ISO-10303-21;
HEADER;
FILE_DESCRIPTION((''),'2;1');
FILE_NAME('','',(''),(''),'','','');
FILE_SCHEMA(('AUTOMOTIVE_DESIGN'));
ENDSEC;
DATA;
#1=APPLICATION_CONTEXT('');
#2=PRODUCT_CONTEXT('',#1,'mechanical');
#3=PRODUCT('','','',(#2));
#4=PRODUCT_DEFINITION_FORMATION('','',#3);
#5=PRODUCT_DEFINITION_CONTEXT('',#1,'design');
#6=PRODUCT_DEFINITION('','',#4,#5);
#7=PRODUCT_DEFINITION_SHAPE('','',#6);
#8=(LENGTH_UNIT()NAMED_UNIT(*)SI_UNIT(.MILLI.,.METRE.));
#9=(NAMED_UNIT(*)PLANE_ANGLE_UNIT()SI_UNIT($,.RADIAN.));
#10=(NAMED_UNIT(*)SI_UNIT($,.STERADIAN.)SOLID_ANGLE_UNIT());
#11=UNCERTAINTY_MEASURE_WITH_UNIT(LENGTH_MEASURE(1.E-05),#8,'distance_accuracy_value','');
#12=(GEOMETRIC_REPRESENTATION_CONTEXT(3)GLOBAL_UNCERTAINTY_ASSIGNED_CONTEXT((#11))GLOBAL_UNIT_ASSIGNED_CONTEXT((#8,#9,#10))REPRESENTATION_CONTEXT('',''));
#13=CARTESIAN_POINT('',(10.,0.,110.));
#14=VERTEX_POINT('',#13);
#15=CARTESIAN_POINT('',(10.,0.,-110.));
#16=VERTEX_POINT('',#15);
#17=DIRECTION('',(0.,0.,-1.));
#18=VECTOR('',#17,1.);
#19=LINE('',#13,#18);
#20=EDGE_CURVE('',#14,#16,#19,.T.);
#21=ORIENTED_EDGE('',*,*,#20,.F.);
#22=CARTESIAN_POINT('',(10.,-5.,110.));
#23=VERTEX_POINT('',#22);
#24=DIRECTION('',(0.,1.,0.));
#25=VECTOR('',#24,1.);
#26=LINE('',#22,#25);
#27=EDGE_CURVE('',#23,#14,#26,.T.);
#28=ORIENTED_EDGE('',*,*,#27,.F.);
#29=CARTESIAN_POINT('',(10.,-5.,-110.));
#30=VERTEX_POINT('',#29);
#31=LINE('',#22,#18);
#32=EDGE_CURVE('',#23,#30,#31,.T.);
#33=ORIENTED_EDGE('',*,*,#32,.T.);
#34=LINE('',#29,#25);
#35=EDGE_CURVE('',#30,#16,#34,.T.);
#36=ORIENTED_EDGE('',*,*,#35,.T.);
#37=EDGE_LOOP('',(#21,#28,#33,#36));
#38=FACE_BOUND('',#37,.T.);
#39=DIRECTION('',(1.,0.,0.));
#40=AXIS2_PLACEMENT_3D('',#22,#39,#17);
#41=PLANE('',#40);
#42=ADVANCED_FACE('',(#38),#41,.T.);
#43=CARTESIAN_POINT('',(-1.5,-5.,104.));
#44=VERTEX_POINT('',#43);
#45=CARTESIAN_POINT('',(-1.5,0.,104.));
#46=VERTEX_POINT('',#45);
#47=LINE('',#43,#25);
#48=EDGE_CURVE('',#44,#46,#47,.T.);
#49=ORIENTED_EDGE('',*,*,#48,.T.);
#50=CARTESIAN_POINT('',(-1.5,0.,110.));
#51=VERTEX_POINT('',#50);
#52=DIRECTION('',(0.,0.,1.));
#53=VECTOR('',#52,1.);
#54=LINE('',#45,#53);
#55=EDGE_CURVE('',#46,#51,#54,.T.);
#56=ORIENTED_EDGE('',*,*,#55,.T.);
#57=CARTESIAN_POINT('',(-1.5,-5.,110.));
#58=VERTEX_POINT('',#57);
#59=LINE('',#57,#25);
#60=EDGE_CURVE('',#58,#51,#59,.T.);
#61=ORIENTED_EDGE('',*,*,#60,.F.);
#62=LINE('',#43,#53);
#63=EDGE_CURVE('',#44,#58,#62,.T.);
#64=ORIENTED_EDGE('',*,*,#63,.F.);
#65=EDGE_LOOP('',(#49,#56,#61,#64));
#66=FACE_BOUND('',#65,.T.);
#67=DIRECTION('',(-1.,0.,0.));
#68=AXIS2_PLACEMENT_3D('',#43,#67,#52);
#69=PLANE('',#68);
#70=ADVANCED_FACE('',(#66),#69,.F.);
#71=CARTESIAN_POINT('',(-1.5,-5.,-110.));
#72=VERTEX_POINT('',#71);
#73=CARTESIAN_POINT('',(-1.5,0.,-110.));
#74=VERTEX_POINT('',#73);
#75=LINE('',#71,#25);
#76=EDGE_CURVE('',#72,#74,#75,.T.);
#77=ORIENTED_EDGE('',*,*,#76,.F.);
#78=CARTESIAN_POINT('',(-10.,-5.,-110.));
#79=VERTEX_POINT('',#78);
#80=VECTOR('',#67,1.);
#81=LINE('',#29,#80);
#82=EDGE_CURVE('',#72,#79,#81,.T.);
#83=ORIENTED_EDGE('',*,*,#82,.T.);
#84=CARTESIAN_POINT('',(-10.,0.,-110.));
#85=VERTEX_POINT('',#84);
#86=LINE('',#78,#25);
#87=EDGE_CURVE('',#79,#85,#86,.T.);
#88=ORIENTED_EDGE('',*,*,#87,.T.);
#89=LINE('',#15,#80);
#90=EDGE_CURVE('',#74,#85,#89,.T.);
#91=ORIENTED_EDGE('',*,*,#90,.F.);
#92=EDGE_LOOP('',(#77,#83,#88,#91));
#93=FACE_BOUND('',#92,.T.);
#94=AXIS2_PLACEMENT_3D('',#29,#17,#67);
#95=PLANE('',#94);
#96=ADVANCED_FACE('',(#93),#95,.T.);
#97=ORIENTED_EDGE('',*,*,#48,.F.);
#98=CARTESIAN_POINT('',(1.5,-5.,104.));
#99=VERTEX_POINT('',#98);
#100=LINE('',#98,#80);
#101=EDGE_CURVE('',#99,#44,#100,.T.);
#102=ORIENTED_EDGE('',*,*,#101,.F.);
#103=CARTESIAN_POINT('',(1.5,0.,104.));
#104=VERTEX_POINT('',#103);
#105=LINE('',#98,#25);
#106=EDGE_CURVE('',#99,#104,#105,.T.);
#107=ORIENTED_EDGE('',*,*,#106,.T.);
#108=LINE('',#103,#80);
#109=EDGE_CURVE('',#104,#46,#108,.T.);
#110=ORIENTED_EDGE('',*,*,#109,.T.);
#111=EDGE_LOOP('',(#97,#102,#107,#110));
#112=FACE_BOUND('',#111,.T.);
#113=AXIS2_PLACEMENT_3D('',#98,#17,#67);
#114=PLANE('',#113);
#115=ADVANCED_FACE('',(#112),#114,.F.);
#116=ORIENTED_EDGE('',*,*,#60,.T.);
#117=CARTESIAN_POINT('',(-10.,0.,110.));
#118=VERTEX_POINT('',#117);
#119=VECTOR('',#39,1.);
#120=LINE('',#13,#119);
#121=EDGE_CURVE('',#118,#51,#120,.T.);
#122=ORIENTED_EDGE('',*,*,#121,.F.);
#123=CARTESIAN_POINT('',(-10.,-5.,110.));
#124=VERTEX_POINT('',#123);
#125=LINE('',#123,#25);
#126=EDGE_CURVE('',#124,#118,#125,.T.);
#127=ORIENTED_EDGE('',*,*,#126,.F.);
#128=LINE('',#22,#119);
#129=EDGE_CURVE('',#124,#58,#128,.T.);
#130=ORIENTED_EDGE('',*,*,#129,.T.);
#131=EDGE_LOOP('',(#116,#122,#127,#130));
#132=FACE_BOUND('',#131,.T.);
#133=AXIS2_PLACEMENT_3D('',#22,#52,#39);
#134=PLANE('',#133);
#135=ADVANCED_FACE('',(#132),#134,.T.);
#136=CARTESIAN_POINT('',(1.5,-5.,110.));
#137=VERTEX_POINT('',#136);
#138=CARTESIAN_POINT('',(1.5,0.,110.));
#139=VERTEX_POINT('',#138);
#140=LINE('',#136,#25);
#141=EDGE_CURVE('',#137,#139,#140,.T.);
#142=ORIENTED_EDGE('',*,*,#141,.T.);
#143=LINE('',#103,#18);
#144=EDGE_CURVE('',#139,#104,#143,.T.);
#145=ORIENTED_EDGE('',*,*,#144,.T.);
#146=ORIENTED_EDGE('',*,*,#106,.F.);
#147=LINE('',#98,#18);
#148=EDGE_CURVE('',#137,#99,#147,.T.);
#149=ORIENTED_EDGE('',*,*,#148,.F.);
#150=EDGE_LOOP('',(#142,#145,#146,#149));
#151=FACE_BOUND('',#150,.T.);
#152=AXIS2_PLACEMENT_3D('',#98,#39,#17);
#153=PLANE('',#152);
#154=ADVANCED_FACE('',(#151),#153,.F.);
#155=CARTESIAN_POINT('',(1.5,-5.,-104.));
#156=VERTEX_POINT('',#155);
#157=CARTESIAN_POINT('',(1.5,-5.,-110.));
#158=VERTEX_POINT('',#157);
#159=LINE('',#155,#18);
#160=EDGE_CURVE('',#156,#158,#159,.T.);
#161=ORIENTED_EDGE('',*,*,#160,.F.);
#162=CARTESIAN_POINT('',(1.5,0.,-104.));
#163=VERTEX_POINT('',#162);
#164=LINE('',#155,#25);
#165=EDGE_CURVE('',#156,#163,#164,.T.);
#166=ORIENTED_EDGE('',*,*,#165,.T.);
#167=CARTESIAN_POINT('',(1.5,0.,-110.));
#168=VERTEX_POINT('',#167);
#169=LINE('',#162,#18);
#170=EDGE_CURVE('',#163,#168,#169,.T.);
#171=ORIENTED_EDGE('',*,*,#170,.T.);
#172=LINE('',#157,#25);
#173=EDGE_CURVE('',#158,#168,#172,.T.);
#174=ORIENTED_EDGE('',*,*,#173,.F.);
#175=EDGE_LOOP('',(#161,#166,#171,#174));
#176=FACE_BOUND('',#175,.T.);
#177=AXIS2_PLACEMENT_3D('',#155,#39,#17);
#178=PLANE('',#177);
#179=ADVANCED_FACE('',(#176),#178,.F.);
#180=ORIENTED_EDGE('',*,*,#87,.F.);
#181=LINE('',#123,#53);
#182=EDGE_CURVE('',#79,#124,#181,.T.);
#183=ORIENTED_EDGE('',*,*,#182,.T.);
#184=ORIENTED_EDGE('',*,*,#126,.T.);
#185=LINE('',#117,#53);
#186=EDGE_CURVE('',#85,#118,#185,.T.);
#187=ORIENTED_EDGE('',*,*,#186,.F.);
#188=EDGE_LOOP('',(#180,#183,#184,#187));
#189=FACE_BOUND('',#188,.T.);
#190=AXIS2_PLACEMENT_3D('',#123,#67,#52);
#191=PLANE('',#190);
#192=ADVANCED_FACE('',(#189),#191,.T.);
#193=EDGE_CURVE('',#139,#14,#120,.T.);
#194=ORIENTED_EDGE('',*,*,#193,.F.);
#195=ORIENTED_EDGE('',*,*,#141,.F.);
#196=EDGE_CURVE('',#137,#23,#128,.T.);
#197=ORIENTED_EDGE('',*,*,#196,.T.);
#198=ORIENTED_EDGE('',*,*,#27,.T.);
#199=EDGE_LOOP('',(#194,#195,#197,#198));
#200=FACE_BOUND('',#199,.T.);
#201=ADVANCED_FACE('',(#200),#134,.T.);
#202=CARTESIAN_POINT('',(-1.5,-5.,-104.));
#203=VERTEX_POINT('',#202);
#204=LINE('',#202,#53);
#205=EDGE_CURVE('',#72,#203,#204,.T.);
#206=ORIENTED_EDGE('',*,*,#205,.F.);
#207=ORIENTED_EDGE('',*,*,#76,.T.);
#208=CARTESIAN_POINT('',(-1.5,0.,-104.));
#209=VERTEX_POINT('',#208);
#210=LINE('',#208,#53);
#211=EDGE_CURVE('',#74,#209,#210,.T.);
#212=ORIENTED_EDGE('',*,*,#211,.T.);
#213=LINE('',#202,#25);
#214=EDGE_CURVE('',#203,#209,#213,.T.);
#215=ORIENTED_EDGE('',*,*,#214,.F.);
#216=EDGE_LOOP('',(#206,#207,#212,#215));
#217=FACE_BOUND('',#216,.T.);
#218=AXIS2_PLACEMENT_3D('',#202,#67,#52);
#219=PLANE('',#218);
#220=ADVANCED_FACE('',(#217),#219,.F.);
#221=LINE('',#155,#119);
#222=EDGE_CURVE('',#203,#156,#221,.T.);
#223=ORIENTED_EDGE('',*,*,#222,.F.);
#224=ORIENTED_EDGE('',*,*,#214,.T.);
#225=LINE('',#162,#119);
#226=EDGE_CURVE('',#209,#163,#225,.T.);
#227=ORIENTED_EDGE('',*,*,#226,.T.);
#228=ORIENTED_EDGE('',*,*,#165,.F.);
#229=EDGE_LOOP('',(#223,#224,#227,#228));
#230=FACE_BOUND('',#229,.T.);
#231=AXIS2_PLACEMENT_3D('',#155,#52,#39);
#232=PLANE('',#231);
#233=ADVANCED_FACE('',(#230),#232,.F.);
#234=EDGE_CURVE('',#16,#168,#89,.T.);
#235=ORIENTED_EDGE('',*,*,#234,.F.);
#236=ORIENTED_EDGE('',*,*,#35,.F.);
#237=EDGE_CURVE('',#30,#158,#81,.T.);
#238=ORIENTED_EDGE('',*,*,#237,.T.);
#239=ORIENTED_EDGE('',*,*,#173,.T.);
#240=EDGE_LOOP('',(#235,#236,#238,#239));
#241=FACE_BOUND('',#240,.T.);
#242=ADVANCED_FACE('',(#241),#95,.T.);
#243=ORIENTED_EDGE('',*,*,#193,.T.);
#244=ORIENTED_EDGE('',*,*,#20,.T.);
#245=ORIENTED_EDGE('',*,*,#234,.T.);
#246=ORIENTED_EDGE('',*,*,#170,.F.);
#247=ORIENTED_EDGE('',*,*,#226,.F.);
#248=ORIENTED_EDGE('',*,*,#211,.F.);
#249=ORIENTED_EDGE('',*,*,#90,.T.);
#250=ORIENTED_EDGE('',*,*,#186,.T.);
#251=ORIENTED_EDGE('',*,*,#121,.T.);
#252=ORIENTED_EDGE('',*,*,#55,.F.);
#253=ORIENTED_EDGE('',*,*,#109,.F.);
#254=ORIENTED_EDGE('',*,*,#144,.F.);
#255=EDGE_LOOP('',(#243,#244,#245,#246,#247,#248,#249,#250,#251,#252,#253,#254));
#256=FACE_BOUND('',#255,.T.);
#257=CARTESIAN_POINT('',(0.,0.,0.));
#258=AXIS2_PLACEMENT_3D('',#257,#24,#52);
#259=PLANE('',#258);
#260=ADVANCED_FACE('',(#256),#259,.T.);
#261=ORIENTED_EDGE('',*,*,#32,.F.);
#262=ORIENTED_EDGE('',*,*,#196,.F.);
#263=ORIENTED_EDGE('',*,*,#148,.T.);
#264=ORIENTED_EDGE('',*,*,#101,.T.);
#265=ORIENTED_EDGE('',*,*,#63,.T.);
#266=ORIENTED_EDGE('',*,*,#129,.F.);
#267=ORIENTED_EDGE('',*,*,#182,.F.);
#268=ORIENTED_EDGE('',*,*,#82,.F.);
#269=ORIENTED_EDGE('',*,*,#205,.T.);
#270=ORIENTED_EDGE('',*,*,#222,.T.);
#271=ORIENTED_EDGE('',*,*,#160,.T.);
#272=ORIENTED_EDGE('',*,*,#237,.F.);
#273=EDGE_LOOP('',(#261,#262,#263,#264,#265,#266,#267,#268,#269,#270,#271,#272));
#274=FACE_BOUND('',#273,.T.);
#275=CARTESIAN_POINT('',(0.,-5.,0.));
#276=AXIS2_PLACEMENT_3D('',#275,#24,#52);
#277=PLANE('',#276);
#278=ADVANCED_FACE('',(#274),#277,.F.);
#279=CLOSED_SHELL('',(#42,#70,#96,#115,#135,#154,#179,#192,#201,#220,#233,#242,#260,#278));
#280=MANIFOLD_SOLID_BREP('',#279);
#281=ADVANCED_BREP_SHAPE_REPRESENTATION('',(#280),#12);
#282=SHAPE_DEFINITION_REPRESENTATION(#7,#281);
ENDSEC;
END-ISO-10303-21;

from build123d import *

# Parameters (mm, degrees)
SKETCH1_W           = 20
SKETCH1_H           = 220
BOSS_EXTRUDE1_DEPTH = 5
SKETCH2_W           = 3
SKETCH2_H           = 6
CUT_EXTRUDE1_DEPTH  = 111.566721937


with BuildPart() as part:
    # Sketch1 → Boss-Extrude1 (new body)
    with BuildSketch(Plane(origin=(0, 0, 0), x_dir=(1, 0, 0), z_dir=(0, 1, 0))):
        Rectangle(SKETCH1_W, SKETCH1_H)
    extrude(amount=-BOSS_EXTRUDE1_DEPTH)

    # Sketch2 → Cut-Extrude1 (cut, through all)
    with BuildSketch(Plane(origin=(0, 0, 0), x_dir=(1, 0, 0), z_dir=(0, 1, 0))):
        with Locations((0, -107)):
            Rectangle(SKETCH2_W, SKETCH2_H)
        with Locations((0, 107)):
            Rectangle(SKETCH2_W, SKETCH2_H)
    extrude(amount=-CUT_EXTRUDE1_DEPTH, mode=Mode.SUBTRACT)


solid = part.part
